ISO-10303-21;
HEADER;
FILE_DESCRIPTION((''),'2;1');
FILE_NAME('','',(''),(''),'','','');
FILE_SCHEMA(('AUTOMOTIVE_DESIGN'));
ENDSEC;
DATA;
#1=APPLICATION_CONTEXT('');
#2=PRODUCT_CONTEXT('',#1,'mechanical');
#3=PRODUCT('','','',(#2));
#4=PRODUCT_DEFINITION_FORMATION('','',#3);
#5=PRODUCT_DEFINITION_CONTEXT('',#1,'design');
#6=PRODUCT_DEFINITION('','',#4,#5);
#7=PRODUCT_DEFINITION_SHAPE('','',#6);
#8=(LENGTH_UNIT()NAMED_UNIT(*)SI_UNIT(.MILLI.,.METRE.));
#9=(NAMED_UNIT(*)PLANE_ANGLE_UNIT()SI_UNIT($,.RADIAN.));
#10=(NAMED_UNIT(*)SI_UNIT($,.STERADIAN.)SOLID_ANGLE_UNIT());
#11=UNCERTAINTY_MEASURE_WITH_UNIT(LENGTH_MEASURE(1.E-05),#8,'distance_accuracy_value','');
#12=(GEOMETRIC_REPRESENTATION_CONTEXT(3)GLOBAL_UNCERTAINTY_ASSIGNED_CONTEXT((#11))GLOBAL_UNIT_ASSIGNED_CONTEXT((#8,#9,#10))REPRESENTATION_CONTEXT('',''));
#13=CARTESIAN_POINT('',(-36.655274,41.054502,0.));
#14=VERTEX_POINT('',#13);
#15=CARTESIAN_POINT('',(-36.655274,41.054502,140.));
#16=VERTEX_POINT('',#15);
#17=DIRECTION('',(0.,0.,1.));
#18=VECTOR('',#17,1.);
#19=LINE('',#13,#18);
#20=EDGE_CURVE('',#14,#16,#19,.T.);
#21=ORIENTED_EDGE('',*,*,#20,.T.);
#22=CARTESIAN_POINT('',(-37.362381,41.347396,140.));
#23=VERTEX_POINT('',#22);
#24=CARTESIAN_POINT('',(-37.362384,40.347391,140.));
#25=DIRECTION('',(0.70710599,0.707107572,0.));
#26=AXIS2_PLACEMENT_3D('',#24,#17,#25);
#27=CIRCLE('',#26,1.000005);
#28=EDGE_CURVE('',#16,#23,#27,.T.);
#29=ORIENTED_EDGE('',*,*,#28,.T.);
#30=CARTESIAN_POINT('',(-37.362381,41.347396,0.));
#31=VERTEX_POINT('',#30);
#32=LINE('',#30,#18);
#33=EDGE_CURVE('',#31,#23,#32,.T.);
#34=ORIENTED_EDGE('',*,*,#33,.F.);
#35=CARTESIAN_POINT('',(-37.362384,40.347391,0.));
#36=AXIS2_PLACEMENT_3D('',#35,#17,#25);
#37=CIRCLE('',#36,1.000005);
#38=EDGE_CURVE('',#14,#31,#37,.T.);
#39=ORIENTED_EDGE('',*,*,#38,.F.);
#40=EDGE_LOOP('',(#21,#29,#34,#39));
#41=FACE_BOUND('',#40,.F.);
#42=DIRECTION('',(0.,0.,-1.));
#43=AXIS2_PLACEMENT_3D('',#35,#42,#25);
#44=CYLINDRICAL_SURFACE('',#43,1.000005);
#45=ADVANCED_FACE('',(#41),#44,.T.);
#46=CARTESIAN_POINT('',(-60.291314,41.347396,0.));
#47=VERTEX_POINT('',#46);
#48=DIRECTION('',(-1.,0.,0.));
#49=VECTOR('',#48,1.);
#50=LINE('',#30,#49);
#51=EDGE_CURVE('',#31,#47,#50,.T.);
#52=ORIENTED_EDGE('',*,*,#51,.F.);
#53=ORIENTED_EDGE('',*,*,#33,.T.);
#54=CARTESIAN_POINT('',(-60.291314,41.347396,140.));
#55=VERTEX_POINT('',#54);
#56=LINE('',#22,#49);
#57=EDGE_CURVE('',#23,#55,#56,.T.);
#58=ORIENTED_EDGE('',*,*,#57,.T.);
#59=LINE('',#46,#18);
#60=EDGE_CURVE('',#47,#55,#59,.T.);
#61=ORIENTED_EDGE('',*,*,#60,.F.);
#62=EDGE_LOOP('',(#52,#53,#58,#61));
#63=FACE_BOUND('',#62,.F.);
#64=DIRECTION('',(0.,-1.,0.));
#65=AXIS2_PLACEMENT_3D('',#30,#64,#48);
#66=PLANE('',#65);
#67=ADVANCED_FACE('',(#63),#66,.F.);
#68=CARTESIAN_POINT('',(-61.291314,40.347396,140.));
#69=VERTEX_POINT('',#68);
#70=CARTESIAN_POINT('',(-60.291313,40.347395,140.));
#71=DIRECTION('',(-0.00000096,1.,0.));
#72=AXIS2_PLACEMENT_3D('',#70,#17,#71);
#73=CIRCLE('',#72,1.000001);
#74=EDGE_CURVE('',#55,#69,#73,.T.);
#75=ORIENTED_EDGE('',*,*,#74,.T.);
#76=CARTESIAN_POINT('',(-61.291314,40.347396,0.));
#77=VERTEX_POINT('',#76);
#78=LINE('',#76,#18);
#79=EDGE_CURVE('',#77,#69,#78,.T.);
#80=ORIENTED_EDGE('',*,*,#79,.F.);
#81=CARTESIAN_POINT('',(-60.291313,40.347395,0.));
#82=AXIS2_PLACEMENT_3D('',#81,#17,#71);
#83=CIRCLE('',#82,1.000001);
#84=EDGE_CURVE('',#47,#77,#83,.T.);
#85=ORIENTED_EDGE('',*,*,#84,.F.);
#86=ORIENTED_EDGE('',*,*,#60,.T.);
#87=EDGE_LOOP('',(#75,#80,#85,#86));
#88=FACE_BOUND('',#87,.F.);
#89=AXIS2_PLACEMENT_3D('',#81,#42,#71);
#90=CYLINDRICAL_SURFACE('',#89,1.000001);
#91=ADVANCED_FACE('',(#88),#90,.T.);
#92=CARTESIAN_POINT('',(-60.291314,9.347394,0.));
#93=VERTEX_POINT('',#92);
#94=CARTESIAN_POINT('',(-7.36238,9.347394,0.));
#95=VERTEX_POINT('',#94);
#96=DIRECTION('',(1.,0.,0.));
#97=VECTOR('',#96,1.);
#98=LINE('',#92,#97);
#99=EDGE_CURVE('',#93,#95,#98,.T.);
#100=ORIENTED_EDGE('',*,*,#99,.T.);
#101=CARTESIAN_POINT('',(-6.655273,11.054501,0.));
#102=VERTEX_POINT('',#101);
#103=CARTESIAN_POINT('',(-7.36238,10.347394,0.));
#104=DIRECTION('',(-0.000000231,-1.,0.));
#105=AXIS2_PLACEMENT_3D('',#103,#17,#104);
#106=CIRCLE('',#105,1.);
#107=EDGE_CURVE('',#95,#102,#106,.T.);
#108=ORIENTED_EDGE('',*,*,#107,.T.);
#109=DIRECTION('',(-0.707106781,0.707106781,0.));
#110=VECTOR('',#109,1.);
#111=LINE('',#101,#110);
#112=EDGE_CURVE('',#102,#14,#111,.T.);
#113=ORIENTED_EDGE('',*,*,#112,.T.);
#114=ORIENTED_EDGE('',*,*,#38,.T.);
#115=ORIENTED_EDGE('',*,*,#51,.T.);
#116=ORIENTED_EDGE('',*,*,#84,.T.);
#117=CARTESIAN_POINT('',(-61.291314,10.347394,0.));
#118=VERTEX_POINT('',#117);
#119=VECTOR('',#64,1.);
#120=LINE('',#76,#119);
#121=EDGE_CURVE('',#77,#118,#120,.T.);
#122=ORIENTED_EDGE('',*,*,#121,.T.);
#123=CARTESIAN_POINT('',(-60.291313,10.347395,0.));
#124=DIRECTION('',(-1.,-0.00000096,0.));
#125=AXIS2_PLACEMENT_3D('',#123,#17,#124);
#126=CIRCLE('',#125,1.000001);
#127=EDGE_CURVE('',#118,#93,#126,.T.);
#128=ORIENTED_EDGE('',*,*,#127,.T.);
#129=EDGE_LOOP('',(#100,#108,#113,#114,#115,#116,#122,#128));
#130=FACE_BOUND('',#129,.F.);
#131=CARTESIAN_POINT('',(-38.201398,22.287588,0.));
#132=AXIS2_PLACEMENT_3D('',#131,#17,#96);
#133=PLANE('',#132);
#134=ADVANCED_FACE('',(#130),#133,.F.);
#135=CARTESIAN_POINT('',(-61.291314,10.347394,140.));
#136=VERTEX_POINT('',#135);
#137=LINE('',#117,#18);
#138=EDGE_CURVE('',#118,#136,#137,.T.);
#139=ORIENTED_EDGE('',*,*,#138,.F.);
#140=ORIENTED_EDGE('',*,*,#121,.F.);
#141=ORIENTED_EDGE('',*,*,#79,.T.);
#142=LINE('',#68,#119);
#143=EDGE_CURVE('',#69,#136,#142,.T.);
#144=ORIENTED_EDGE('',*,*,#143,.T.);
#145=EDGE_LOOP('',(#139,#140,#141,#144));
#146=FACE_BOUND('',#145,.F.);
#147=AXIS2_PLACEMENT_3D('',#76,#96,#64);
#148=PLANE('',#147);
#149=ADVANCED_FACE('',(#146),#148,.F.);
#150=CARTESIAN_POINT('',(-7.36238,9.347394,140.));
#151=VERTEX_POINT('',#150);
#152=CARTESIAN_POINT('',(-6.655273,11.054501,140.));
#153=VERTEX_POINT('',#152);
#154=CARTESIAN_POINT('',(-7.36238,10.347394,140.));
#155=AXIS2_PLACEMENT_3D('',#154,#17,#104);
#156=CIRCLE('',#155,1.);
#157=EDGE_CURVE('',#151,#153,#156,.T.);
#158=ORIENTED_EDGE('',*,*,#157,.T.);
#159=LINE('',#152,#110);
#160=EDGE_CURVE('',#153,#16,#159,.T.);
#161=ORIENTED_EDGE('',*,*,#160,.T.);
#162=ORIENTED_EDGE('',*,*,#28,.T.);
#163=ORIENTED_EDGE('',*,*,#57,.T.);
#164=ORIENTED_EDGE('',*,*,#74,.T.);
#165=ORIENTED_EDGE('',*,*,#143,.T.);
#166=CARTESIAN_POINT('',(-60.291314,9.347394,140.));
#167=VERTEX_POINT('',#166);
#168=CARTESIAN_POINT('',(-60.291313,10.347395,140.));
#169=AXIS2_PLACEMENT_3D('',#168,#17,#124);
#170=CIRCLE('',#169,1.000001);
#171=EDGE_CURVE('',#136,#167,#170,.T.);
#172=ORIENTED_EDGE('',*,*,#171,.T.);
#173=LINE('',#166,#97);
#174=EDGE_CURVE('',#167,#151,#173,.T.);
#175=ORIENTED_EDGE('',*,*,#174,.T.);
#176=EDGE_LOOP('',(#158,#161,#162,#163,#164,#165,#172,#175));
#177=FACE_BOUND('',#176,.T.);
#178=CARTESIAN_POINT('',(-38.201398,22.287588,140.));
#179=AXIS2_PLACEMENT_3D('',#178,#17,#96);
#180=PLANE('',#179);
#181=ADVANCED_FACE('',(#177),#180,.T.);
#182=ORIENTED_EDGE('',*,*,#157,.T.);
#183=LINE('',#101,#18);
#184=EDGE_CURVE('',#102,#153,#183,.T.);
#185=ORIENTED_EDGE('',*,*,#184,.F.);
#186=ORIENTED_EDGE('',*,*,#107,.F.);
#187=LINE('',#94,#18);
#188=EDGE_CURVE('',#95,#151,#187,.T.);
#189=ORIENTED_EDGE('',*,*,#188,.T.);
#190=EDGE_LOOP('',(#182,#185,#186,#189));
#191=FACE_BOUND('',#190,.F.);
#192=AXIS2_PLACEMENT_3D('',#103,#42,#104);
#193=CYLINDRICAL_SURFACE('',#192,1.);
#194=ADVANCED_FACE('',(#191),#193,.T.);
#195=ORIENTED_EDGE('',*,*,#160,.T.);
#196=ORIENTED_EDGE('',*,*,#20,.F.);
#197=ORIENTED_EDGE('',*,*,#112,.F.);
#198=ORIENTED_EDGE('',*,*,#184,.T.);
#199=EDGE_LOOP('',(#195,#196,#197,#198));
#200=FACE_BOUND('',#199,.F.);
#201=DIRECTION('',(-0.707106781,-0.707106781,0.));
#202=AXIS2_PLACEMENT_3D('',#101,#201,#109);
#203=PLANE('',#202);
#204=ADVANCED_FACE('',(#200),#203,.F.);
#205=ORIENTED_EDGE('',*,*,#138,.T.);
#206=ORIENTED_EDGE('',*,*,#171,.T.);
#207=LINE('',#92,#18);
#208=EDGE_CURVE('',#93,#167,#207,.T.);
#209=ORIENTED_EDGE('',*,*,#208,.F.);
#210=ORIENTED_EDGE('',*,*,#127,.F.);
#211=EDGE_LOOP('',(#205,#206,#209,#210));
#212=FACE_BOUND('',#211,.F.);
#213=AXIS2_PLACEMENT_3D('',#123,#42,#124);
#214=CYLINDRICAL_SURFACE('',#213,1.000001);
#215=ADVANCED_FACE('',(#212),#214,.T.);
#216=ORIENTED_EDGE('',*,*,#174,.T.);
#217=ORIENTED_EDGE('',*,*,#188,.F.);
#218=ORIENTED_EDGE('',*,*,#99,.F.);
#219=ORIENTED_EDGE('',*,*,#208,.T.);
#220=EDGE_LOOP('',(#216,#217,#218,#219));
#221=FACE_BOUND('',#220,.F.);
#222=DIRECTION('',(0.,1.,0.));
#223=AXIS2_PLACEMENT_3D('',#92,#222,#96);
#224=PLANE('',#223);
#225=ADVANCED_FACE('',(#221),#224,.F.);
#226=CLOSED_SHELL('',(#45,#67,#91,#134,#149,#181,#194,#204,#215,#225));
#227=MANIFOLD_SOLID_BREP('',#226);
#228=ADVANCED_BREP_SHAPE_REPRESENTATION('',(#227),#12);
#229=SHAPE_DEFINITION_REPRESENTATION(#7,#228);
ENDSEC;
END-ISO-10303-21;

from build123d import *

# Parameters (mm, degrees)
F1_DEPTH = 150
F3_DEPTH = 140


with BuildPart() as f1:
    # F0 (on Top) → F1 (new body)
    with BuildSketch(Plane.XY):
        with BuildLine():
            Line((-35.705528, 49.347393), (-67.291312, 49.347393))
            ThreePointArc((-67.291312, 49.347393), (-68.705525, 48.761607), (-69.291312, 47.347393))
            Line((-69.291312, 47.347393), (-69.291312, 3.347397))
            ThreePointArc((-69.291312, 3.347397), (-68.705525, 1.933183), (-67.291312, 1.347397))
            Line((-67.291312, 1.347397), (9.537109, 1.347397))
            ThreePointArc((9.537109, 1.347397), (11.384868, 2.58203), (10.951323, 4.76161))
            Line((10.951323, 4.76161), (-32.169994, 47.882927))
            ThreePointArc((-32.169994, 47.882927), (-33.792111, 48.966791), (-35.705528, 49.347393))
        make_face()
        with BuildLine():
            ThreePointArc((-65.291314, 44.347395), (-64.99842, 45.054502), (-64.291314, 45.347395))
            Line((-64.291314, 45.347395), (-36.119741, 45.347395))
            ThreePointArc((-36.119741, 45.347395), (-35.354374, 45.195154), (-34.705527, 44.761609))
            Line((-34.705527, 44.761609), (3.00158, 7.054502))
            ThreePointArc((3.00158, 7.054502), (3.218352, 5.964712), (2.294473, 5.347395))
            Line((2.294473, 5.347395), (-64.291314, 5.347395))
            ThreePointArc((-64.291314, 5.347395), (-64.99842, 5.640288), (-65.291314, 6.347395))
            Line((-65.291314, 6.347395), (-65.291314, 44.347395))
        make_face(mode=Mode.SUBTRACT)
    extrude(amount=F1_DEPTH)


with BuildPart() as f3:
    # F2 (on Top) → F3 (new body)
    with BuildSketch(Plane.XY):
        with BuildLine():
            Line((-37.362381, 41.347396), (-60.291314, 41.347396))
            ThreePointArc((-60.291314, 41.347396), (-60.998421, 41.054502), (-61.291314, 40.347396))
            Line((-61.291314, 40.347396), (-61.291314, 10.347394))
            ThreePointArc((-61.291314, 10.347394), (-60.998421, 9.640288), (-60.291314, 9.347394))
            Line((-60.291314, 9.347394), (-7.36238, 9.347394))
            ThreePointArc((-7.36238, 9.347394), (-6.4385, 9.964711), (-6.655273, 11.054501))
            Line((-6.655273, 11.054501), (-36.655274, 41.054502))
            ThreePointArc((-36.655274, 41.054502), (-36.979698, 41.271275), (-37.362381, 41.347396))
        make_face()
    extrude(amount=F3_DEPTH)


solid = f3.part
